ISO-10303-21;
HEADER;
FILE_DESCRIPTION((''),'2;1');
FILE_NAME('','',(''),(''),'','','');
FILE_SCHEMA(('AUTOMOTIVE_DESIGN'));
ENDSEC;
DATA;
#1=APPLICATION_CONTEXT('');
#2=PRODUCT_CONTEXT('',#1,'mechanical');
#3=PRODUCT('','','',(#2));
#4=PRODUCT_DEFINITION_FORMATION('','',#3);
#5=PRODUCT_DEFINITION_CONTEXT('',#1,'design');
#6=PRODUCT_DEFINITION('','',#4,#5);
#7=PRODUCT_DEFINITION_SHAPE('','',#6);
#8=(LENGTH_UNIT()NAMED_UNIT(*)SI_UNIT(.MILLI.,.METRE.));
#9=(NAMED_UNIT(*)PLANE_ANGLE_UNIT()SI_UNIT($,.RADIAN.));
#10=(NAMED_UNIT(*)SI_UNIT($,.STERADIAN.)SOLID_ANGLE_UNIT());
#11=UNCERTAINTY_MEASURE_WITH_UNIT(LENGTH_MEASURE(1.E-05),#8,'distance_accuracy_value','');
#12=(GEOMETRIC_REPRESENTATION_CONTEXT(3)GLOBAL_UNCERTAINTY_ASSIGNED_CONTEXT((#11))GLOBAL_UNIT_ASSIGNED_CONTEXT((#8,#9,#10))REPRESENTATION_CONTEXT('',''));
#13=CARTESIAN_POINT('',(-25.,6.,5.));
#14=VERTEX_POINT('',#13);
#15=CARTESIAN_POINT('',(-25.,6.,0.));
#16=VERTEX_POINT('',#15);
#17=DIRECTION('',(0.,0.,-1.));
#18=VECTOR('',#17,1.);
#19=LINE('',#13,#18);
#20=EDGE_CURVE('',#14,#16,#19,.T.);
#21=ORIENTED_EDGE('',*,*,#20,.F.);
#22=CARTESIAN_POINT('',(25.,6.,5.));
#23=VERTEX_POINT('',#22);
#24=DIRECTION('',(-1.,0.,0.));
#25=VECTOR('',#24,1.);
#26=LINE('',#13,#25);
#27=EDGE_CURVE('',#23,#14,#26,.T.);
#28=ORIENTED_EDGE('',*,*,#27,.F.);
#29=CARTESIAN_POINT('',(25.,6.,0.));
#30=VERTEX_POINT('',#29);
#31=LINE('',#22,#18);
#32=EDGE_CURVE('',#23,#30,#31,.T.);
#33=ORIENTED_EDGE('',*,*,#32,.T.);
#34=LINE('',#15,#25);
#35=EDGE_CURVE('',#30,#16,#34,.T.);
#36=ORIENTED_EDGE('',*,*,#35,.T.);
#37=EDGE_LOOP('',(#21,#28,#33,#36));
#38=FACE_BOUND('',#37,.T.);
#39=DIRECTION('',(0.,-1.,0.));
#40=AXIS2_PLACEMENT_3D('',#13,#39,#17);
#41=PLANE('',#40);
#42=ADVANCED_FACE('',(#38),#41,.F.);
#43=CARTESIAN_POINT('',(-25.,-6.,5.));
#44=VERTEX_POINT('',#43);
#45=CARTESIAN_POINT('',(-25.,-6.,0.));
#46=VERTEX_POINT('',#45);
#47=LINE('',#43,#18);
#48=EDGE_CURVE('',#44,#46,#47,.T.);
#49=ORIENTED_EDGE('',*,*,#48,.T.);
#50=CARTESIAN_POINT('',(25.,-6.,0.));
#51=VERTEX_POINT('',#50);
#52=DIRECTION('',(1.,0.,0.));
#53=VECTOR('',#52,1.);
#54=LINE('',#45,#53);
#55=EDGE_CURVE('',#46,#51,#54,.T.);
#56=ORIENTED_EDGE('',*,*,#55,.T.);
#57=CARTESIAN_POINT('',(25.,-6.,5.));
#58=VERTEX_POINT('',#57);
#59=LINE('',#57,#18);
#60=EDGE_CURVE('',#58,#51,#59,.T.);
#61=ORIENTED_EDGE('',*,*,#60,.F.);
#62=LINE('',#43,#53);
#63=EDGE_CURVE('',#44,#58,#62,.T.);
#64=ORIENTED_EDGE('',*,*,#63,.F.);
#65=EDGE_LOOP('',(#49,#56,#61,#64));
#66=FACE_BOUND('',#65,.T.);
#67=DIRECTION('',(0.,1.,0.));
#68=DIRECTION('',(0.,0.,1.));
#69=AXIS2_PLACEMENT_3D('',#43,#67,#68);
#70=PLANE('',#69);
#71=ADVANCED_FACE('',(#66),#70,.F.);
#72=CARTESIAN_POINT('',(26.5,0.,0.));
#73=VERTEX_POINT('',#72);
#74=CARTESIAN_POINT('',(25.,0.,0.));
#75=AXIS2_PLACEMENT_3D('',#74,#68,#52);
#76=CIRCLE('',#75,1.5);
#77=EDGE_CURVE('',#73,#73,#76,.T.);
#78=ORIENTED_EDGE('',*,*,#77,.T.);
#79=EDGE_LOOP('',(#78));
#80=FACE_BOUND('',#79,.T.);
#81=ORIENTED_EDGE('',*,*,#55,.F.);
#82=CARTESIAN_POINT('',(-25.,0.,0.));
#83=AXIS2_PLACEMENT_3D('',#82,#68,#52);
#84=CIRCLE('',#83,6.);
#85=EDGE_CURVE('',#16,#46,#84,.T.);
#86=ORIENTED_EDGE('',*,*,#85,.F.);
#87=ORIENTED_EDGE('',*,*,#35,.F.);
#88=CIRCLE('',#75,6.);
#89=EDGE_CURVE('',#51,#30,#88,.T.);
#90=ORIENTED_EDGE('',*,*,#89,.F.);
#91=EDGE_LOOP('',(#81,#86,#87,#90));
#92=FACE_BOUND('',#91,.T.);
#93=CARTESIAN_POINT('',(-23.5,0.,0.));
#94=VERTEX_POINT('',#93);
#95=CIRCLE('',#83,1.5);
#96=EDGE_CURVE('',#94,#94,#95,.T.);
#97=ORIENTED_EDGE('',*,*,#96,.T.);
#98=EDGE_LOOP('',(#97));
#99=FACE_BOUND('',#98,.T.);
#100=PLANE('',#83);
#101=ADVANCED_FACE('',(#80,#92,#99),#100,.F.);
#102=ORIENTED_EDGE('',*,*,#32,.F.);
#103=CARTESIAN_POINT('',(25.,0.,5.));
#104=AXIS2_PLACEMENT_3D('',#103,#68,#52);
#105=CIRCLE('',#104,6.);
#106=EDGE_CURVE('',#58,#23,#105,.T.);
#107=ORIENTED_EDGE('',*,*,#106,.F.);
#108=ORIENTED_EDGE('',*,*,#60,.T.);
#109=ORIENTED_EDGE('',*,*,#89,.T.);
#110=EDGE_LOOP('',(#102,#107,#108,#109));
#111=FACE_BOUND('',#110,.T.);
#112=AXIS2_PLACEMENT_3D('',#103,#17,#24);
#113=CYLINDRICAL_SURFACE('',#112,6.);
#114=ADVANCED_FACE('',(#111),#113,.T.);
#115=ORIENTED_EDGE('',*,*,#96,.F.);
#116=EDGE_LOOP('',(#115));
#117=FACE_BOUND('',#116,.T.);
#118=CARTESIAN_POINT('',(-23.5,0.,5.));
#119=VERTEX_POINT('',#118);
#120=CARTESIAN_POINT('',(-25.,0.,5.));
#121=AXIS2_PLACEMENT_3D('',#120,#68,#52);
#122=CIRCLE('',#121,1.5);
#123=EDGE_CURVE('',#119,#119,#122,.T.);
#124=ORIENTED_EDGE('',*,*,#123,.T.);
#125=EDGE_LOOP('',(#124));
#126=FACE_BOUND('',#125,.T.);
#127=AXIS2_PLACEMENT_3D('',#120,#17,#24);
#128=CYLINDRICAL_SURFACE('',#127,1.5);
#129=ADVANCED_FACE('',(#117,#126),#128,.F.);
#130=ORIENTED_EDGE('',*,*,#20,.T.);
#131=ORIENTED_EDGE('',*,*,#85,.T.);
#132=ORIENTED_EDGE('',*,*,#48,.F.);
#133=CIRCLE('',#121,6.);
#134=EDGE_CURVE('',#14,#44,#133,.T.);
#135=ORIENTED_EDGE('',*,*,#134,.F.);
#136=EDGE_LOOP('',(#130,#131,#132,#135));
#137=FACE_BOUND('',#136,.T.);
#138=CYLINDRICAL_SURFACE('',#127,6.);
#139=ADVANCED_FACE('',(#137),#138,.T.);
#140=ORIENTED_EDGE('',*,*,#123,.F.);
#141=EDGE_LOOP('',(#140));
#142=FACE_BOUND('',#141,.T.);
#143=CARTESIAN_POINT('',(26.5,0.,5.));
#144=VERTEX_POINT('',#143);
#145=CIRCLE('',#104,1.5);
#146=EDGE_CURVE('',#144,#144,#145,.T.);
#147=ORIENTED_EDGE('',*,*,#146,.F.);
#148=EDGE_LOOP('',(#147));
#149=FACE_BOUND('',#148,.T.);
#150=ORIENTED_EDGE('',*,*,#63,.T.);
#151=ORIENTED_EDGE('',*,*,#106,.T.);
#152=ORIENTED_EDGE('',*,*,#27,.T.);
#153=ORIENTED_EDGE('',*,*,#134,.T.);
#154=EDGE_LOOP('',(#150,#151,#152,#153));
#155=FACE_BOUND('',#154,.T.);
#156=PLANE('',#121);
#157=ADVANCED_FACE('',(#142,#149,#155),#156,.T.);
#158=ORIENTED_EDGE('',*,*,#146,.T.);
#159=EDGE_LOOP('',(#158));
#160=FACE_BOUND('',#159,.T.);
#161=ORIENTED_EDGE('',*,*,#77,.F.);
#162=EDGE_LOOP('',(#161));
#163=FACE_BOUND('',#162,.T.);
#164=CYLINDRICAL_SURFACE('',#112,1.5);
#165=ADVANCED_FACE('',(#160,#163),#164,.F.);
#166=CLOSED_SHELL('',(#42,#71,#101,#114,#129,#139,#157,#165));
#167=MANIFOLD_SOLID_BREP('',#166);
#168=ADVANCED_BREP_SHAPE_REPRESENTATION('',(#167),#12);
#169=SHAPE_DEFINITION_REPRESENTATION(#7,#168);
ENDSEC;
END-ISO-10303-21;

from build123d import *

# Parameters (mm, degrees)
ESQUISSE1_R        = 1.5
BOSS_EXTRU_1_DEPTH = 5


with BuildPart() as part:
    # Esquisse1 → Boss.-Extru.1 (new body)
    with BuildSketch(Plane.XY):
        with BuildLine():
            Line((-25, 6), (25, 6))
            ThreePointArc((25, 6), (31, 0), (25, -6))
            Line((25, -6), (-25, -6))
            ThreePointArc((-25, -6), (-31, 0), (-25, 6))
        make_face()
        with Locations((-25, 0)):
            Circle(ESQUISSE1_R, mode=Mode.SUBTRACT)
        with Locations((25, 0)):
            Circle(ESQUISSE1_R, mode=Mode.SUBTRACT)
    extrude(amount=BOSS_EXTRU_1_DEPTH)


solid = part.part
